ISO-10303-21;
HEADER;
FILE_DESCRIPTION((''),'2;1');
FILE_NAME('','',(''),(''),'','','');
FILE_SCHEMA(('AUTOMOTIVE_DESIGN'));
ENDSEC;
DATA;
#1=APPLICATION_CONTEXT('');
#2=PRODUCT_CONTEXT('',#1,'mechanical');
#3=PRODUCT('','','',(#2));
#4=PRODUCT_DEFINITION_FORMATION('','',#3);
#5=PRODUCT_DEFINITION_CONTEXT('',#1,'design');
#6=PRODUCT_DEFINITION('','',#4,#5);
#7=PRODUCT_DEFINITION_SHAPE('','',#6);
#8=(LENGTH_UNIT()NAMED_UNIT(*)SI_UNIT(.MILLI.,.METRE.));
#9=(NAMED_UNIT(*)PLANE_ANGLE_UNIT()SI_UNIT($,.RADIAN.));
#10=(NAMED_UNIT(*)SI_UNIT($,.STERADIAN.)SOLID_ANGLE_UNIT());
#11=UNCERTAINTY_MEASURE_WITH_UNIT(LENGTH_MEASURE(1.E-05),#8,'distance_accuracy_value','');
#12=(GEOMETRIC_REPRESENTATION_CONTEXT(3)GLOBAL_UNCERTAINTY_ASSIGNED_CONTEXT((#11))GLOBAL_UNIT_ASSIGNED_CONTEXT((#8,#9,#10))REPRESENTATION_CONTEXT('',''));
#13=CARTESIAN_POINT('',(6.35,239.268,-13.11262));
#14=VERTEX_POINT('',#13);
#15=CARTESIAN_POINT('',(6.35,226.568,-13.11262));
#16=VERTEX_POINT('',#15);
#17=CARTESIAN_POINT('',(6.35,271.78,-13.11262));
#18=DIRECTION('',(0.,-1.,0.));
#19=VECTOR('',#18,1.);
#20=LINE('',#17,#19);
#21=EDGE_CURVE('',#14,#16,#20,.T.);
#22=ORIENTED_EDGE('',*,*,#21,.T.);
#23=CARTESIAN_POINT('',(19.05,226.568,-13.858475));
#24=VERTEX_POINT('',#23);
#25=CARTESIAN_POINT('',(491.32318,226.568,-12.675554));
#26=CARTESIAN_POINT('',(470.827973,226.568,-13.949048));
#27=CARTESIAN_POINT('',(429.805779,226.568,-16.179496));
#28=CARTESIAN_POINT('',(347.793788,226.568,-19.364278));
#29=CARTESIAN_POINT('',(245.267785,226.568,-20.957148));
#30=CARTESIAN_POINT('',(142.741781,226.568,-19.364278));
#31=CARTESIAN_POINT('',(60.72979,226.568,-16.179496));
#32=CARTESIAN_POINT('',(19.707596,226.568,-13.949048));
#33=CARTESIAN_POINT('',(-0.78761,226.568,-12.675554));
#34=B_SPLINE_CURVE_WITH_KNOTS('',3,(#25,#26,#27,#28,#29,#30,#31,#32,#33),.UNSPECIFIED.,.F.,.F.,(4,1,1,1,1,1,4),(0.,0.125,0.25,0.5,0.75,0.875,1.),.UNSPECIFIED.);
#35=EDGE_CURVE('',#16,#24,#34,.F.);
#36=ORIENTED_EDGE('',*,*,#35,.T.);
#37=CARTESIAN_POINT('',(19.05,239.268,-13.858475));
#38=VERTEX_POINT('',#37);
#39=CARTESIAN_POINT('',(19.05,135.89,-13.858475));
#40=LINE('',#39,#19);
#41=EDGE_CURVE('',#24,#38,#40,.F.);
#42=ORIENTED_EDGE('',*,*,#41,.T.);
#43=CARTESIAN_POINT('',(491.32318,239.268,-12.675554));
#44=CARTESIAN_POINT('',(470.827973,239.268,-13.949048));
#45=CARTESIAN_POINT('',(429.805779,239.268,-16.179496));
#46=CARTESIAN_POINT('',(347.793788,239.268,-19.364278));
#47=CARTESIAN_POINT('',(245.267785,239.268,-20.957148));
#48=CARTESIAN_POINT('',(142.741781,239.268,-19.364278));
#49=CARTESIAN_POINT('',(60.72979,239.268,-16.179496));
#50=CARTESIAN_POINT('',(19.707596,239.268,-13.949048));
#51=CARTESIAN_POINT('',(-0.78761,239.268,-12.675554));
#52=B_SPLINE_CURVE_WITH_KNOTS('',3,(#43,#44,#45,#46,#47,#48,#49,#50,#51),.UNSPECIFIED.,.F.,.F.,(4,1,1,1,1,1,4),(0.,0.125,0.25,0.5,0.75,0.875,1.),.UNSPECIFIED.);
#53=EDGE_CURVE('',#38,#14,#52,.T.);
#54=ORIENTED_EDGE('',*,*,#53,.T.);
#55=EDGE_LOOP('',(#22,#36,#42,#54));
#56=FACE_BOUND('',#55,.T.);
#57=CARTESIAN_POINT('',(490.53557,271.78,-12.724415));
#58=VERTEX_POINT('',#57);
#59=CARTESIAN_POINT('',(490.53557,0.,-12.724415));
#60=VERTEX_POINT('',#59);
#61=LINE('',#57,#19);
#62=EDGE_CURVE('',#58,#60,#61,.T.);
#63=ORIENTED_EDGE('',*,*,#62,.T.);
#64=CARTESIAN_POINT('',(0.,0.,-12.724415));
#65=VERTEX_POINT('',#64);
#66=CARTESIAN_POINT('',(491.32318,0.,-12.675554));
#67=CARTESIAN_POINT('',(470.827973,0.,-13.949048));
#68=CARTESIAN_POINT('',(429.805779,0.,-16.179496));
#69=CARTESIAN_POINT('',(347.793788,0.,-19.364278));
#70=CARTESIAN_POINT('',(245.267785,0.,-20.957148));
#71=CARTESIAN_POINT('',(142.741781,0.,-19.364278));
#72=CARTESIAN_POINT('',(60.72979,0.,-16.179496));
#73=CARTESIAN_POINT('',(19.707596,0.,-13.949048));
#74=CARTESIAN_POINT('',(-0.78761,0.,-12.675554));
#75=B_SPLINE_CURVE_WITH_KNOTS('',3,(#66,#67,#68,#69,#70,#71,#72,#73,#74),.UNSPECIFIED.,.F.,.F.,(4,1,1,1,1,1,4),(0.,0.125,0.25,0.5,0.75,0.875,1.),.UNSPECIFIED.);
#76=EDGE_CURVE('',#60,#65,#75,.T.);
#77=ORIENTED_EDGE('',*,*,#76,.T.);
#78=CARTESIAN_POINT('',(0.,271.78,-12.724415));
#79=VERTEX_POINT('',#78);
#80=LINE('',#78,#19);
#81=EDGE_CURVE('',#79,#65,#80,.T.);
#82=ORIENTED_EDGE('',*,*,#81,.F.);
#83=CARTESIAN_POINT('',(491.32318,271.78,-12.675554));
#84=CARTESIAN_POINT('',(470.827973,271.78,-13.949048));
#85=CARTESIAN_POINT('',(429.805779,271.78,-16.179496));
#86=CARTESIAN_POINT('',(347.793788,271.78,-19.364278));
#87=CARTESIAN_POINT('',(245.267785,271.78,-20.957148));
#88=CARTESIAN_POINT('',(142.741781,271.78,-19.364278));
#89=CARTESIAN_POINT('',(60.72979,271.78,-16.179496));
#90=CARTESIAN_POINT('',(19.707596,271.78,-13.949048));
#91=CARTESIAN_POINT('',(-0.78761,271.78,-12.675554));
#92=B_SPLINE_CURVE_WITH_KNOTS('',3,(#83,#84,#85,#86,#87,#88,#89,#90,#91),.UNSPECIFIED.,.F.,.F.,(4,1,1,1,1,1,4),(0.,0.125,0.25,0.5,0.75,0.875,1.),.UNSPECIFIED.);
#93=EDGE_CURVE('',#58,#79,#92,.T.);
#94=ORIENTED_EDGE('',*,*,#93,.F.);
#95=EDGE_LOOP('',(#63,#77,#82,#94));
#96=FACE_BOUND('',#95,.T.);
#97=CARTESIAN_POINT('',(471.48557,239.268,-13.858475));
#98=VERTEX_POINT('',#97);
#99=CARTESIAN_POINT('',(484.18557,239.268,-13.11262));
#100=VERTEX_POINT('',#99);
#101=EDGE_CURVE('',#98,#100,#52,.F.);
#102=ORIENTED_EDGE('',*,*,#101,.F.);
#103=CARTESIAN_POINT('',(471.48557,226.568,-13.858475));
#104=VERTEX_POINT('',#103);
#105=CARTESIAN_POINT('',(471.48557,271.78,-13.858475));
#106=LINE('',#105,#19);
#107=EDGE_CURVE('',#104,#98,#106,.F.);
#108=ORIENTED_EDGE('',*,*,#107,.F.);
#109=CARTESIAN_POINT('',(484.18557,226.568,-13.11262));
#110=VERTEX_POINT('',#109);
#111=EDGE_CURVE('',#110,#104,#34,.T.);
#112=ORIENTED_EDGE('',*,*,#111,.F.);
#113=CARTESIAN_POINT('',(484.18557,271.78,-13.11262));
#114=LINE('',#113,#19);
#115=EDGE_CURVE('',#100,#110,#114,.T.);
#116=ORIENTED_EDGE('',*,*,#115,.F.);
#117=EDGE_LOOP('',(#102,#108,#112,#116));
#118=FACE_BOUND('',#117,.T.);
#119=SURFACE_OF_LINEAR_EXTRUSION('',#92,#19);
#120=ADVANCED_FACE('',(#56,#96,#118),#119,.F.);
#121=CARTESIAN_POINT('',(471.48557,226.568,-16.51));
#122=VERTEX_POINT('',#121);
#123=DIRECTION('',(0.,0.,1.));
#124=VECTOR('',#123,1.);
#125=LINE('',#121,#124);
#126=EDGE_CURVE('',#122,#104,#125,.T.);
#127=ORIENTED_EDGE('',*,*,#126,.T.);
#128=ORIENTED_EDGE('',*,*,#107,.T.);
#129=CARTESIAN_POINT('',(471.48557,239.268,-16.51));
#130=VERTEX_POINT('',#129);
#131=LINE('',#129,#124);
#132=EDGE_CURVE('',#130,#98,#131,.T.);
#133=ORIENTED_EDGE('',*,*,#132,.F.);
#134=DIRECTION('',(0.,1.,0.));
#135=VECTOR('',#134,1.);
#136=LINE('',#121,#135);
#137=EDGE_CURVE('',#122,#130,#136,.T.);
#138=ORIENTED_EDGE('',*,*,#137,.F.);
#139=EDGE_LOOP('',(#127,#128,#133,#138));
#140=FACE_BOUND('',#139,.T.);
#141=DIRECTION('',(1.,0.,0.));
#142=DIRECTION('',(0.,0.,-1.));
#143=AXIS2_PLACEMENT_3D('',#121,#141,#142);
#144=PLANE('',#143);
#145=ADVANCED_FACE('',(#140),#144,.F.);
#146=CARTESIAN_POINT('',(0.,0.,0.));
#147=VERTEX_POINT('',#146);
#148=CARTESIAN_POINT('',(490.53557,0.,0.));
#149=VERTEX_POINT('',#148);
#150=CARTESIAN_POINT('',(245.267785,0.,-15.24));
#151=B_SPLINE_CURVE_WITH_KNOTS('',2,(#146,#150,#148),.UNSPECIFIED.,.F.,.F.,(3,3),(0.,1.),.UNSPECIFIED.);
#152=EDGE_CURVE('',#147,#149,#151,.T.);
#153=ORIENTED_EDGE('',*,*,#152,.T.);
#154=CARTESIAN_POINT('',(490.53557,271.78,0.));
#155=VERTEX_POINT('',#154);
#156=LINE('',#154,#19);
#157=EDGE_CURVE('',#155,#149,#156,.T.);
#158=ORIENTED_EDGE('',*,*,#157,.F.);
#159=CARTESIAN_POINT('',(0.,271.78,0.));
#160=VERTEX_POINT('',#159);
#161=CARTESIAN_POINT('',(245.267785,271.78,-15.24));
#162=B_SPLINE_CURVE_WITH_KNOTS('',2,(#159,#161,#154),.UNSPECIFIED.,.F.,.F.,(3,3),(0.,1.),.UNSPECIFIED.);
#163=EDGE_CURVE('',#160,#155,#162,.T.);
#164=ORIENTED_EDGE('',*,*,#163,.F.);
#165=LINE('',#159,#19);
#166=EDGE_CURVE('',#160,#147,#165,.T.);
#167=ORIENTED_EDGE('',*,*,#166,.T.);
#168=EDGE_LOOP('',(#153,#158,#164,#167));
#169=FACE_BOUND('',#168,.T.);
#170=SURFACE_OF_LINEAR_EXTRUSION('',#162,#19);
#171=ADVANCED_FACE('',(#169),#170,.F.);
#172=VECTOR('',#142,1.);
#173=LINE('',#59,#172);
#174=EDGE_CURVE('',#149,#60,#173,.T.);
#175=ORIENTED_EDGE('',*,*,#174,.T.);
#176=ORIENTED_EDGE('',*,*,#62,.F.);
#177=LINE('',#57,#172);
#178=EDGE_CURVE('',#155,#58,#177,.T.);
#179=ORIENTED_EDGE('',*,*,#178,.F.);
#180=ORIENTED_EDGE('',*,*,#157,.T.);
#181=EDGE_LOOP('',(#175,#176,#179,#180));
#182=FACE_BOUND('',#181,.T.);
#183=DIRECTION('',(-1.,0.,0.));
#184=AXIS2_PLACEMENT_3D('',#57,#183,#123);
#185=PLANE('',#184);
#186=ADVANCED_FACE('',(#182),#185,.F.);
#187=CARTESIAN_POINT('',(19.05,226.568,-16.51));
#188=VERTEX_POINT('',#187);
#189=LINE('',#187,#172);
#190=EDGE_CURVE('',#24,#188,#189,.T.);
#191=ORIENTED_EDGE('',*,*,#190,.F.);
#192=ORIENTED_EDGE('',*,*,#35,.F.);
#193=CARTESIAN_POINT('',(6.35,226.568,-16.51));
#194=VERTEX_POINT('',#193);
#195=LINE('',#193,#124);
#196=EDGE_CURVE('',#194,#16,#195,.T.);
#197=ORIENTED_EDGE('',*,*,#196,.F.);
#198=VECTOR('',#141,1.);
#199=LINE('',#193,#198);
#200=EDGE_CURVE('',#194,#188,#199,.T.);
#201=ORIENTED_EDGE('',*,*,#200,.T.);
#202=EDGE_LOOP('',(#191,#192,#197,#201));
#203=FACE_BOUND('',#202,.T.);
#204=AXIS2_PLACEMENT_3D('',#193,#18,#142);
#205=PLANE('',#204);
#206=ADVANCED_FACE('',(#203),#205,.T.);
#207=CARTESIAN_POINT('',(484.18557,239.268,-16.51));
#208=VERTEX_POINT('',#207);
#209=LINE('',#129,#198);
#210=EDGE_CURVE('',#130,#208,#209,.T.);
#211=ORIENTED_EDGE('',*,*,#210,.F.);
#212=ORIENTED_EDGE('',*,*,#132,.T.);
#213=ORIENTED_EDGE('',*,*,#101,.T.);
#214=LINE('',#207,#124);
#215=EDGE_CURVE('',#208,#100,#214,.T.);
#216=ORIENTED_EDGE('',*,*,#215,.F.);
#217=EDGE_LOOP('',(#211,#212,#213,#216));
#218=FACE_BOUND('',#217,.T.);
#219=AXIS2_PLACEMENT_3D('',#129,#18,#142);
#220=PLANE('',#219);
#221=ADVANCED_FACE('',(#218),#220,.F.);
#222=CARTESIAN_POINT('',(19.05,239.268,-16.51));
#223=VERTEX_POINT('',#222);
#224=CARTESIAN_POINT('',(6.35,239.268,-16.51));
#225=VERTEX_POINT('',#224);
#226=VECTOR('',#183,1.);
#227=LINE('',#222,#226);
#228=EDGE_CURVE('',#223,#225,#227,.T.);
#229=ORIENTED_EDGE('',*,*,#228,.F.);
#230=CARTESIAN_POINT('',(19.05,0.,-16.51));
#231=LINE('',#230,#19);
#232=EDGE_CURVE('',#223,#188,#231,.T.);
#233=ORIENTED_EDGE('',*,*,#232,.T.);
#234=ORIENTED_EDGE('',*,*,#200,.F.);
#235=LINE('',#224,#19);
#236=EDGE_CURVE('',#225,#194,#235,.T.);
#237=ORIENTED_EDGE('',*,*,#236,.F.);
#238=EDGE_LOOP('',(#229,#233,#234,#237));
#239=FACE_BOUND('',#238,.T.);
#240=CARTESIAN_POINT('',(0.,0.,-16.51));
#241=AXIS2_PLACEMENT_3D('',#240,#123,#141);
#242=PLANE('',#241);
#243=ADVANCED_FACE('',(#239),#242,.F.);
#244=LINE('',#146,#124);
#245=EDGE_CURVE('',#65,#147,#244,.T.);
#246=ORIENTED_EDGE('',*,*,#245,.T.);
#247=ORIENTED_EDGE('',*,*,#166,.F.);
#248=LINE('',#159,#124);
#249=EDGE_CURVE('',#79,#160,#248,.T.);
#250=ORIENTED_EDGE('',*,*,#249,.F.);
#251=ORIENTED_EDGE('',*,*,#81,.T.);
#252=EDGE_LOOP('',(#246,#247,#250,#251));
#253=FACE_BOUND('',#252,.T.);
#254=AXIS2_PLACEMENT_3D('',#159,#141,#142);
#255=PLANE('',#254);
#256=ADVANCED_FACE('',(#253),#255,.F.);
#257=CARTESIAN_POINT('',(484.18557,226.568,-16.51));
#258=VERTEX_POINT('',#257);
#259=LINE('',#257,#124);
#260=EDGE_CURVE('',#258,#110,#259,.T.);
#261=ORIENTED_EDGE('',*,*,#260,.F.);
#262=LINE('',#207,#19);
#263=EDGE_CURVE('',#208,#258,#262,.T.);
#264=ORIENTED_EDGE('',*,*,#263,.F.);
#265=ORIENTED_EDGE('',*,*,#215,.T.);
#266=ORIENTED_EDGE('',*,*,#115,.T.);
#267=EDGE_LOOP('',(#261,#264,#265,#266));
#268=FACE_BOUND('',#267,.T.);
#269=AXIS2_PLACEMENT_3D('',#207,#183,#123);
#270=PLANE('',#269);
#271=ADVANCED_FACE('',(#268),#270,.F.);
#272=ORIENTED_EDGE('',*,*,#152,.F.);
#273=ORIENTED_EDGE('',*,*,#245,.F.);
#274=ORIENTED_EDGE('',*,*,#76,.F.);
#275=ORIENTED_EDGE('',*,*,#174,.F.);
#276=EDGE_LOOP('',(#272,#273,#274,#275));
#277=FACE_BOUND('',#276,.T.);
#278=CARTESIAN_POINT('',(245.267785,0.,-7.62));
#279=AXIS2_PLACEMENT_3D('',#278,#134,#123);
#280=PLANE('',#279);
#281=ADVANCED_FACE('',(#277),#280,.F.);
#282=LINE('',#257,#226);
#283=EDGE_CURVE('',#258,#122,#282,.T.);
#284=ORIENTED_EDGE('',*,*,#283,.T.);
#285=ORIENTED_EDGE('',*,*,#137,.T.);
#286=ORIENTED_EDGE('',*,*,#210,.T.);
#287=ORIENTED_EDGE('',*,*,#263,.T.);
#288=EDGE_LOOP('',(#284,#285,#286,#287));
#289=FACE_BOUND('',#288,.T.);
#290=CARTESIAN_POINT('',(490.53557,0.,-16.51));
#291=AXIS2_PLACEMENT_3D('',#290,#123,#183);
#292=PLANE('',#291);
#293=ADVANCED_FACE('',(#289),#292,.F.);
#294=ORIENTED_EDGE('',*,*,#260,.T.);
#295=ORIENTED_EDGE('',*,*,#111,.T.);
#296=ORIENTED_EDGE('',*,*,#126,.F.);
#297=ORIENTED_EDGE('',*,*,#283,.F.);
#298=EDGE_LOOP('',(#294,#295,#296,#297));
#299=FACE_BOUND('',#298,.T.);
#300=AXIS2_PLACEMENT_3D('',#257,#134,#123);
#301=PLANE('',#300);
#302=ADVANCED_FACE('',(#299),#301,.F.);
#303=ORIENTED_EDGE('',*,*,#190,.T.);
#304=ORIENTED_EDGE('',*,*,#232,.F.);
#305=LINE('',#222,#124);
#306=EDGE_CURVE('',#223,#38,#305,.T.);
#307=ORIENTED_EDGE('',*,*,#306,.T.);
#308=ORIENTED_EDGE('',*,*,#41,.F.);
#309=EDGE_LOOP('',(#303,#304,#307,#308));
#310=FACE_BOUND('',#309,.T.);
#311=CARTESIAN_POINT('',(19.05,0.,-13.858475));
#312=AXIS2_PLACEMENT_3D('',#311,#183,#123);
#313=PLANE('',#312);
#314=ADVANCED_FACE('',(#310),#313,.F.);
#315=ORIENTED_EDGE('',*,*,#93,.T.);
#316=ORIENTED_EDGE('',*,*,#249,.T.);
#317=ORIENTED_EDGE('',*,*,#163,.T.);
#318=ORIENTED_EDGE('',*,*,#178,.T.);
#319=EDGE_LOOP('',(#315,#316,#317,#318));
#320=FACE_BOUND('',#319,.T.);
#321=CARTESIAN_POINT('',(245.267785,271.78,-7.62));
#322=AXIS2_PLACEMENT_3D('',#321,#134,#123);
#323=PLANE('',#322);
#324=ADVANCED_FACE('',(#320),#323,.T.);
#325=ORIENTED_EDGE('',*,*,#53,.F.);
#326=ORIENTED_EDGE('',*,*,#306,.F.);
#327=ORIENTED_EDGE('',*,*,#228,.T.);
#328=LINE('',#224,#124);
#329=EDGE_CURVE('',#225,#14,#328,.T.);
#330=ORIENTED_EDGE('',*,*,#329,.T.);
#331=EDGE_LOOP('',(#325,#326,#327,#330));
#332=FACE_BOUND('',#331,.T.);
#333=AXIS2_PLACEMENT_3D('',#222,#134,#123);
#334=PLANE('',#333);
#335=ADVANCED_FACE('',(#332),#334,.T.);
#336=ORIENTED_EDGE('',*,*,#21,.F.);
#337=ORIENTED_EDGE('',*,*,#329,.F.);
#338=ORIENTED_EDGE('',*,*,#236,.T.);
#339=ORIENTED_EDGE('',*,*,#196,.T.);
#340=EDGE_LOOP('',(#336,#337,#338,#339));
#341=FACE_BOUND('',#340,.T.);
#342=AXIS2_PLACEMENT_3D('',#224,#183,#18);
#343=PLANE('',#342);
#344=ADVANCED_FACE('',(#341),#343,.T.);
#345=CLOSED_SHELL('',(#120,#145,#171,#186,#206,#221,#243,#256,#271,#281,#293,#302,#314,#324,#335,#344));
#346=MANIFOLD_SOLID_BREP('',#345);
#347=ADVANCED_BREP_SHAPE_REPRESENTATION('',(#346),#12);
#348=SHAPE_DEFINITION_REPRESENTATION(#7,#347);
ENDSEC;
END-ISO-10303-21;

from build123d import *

# Parameters (mm, degrees)
BOSS_EXTRUDE1_DEPTH = 271.78
SKETCH4_W           = 12.7
SKETCH4_H           = 12.7
BOSS_EXTRUDE2_DEPTH = 7.62
CUT_EXTRUDE1_DEPTH  = 562.161666545
CUT_EXTRUDE2_DEPTH  = 562.161666545


with BuildPart() as part:
    # Sketch3 → Boss-Extrude1 (new body)
    with BuildSketch(Plane(origin=(0, 0, 0), x_dir=(1, 0, 0), z_dir=(0, 1, 0))):
        with BuildLine():
            Line((0, 0), (0, 12.72441479))
            add(Edge.make_bspline(
                [(0, 12.72441479), (20.233071215, 13.977592464), (60.992424476, 16.189695121), (142.741781458, 19.364277715), (245.2677848, 20.95714819), (347.793788142, 19.364277715), (429.543145124, 16.189695121), (470.302498385, 13.977592464), (490.5355696, 12.72441479)],
                knots=[0.001601193, 0.001601193, 0.001601193, 0.001601193, 0.125, 0.25, 0.5, 0.75, 0.875, 0.998398807, 0.998398807, 0.998398807, 0.998398807], degree=3))
            Line((490.5355696, 12.72441479), (490.5355696, 0))
            add(Edge.make_bspline(
                [(0, 0), (245.2677848, 15.24), (490.5355696, 0)],
                knots=[0, 0, 0, 1, 1, 1], degree=2))
        make_face()
    extrude(amount=BOSS_EXTRUDE1_DEPTH)

    # Sketch4 → Boss-Extrude2 (add)
    with BuildSketch(Plane.XY.offset(-8.89)):
        with Locations((12.7, 232.918)):
            Rectangle(SKETCH4_W, SKETCH4_H)
        with Locations((465.1355696, 232.918)):
            Rectangle(SKETCH4_W, SKETCH4_H)
    boss_extrude2 = extrude(amount=-BOSS_EXTRUDE2_DEPTH)

    # Sketch5 → Cut-Extrude1 (cut, through all)
    with BuildSketch(Plane(origin=(0, 271.78, 0), x_dir=(1, 0, 0), z_dir=(0, 1, 0))):
        with BuildLine():
            Line((486.135566794, 12.994491849), (486.135566794, 38.953188641))
            Line((486.135566794, 38.953188641), (439.07442157, 31.940350217))
            Line((439.07442157, 31.940350217), (441.530786222, 15.456392275))
            add(Edge.make_bspline(
                [(486.135566794, 12.994491849), (471.272243027, 13.898556621), (456.401448688, 14.719348346), (441.530786222, 15.456392275)],
                knots=[0.01054573, 0.01054573, 0.01054573, 0.01054573, 0.101185718, 0.101185718, 0.101185718, 0.101185718], degree=3))
        make_face()
    extrude(amount=-CUT_EXTRUDE1_DEPTH, mode=Mode.SUBTRACT)

    # Mirror2: Boss-Extrude2 across plane
    add(boss_extrude2.mirror(Plane.ZY.offset(-245.2677848)))

    # Sketch6 → Cut-Extrude2 (cut, through all)
    with BuildSketch(Plane(origin=(0, 271.78, 0), x_dir=(1, 0, 0), z_dir=(0, 1, 0))):
        with BuildLine():
            Line((19.05, 13.858474742), (19.05, 29.417888146))
            Line((19.05, 29.417888146), (39.010886376, 22.948973115))
            Line((39.010886376, 22.948973115), (39.425645252, 14.970033585))
            add(Edge.make_bspline(
                [(39.425645252, 14.970033585), (32.633208906, 14.616951167), (25.841085641, 14.24641647), (19.05, 13.858474742)],
                knots=[0.918276722, 0.918276722, 0.918276722, 0.918276722, 0.959678947, 0.959678947, 0.959678947, 0.959678947], degree=3))
        make_face()
    extrude(amount=-CUT_EXTRUDE2_DEPTH, mode=Mode.SUBTRACT)


solid = part.part
